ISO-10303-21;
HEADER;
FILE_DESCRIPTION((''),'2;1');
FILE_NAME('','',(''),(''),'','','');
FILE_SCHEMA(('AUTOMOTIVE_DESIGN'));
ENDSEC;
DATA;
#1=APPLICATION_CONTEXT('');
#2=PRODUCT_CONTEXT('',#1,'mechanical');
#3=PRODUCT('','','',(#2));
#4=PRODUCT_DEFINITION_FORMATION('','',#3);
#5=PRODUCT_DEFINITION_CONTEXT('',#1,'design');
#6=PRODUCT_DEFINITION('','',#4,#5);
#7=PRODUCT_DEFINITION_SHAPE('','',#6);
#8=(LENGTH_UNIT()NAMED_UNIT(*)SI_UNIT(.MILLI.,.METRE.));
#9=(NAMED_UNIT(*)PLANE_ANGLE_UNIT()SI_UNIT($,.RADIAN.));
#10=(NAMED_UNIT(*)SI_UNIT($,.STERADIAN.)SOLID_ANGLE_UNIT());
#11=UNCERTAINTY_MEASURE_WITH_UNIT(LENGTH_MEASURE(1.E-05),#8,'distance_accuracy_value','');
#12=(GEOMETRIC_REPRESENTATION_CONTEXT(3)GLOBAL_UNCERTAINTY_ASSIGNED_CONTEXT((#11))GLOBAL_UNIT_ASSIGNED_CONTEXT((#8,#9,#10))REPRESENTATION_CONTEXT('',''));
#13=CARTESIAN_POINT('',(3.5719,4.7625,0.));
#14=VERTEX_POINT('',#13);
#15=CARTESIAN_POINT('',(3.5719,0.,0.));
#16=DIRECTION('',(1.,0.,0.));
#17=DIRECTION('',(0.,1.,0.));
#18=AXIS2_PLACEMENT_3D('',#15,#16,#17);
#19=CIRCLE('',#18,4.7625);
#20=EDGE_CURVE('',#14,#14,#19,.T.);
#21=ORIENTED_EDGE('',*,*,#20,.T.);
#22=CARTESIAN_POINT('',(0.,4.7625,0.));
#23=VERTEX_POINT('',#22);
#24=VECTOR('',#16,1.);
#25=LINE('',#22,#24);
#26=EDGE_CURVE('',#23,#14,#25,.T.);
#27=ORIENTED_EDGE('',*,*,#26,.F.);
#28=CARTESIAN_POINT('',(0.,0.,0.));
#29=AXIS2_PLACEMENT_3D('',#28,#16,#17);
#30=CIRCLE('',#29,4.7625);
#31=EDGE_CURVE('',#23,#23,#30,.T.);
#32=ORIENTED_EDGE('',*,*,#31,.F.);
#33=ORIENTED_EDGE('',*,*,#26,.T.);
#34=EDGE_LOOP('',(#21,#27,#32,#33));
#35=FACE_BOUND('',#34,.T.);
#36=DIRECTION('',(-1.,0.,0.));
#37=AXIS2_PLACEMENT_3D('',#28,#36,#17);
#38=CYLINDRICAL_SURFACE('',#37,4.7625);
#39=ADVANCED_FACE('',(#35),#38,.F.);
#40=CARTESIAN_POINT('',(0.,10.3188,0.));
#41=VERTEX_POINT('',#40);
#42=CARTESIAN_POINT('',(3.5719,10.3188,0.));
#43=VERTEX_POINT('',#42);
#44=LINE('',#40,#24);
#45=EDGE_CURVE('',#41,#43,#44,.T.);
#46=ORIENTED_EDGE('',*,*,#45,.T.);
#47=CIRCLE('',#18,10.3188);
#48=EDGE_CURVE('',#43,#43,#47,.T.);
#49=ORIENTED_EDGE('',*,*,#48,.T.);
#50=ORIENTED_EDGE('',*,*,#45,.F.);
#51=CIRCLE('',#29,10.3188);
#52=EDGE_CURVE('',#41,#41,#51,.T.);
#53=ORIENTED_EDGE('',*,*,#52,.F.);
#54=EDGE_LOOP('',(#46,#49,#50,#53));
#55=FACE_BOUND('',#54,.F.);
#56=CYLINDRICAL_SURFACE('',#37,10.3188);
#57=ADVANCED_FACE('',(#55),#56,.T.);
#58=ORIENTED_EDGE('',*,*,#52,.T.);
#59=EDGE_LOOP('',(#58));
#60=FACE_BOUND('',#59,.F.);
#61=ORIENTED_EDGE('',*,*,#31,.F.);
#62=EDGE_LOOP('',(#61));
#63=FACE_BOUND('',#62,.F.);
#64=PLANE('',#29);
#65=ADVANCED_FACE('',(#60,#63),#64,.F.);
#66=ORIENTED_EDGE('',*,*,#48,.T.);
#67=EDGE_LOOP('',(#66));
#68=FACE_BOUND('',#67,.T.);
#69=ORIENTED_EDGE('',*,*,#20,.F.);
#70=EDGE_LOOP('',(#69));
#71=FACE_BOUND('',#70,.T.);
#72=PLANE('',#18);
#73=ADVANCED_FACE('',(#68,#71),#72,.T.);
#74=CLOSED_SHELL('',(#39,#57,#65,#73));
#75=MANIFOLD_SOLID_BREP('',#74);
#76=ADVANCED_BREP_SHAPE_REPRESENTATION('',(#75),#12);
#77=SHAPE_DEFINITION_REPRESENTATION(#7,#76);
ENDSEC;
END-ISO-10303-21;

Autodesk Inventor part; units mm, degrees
ref_plane "YZ Plane" through (0, 0, 0) normal (1, 0, 0) x (0, 1, 0)
ref_plane "XZ Plane" through (0, 0, 0) normal (0, 1, 0) x (-1, 0, 0)
ref_plane "XY Plane" through (0, 0, 0) normal (0, 0, 1) x (1, 0, 0)
sketch "Sketch1" plane through (0, 0, 0) normal (1, 0, 0) x (0, 1, 0)
  circle A0 centre (0, 0) radius 4.7625
  circle A1 centre (0, 0) radius 10.3188
  dimension "d0" = 9.525
  dimension "d1" = 20.6375
extrude "Extrusion1" add sketch "Sketch1" along normal blind 3.5719
properties part number "Needle Bearings" material "Steel, Alloy"
